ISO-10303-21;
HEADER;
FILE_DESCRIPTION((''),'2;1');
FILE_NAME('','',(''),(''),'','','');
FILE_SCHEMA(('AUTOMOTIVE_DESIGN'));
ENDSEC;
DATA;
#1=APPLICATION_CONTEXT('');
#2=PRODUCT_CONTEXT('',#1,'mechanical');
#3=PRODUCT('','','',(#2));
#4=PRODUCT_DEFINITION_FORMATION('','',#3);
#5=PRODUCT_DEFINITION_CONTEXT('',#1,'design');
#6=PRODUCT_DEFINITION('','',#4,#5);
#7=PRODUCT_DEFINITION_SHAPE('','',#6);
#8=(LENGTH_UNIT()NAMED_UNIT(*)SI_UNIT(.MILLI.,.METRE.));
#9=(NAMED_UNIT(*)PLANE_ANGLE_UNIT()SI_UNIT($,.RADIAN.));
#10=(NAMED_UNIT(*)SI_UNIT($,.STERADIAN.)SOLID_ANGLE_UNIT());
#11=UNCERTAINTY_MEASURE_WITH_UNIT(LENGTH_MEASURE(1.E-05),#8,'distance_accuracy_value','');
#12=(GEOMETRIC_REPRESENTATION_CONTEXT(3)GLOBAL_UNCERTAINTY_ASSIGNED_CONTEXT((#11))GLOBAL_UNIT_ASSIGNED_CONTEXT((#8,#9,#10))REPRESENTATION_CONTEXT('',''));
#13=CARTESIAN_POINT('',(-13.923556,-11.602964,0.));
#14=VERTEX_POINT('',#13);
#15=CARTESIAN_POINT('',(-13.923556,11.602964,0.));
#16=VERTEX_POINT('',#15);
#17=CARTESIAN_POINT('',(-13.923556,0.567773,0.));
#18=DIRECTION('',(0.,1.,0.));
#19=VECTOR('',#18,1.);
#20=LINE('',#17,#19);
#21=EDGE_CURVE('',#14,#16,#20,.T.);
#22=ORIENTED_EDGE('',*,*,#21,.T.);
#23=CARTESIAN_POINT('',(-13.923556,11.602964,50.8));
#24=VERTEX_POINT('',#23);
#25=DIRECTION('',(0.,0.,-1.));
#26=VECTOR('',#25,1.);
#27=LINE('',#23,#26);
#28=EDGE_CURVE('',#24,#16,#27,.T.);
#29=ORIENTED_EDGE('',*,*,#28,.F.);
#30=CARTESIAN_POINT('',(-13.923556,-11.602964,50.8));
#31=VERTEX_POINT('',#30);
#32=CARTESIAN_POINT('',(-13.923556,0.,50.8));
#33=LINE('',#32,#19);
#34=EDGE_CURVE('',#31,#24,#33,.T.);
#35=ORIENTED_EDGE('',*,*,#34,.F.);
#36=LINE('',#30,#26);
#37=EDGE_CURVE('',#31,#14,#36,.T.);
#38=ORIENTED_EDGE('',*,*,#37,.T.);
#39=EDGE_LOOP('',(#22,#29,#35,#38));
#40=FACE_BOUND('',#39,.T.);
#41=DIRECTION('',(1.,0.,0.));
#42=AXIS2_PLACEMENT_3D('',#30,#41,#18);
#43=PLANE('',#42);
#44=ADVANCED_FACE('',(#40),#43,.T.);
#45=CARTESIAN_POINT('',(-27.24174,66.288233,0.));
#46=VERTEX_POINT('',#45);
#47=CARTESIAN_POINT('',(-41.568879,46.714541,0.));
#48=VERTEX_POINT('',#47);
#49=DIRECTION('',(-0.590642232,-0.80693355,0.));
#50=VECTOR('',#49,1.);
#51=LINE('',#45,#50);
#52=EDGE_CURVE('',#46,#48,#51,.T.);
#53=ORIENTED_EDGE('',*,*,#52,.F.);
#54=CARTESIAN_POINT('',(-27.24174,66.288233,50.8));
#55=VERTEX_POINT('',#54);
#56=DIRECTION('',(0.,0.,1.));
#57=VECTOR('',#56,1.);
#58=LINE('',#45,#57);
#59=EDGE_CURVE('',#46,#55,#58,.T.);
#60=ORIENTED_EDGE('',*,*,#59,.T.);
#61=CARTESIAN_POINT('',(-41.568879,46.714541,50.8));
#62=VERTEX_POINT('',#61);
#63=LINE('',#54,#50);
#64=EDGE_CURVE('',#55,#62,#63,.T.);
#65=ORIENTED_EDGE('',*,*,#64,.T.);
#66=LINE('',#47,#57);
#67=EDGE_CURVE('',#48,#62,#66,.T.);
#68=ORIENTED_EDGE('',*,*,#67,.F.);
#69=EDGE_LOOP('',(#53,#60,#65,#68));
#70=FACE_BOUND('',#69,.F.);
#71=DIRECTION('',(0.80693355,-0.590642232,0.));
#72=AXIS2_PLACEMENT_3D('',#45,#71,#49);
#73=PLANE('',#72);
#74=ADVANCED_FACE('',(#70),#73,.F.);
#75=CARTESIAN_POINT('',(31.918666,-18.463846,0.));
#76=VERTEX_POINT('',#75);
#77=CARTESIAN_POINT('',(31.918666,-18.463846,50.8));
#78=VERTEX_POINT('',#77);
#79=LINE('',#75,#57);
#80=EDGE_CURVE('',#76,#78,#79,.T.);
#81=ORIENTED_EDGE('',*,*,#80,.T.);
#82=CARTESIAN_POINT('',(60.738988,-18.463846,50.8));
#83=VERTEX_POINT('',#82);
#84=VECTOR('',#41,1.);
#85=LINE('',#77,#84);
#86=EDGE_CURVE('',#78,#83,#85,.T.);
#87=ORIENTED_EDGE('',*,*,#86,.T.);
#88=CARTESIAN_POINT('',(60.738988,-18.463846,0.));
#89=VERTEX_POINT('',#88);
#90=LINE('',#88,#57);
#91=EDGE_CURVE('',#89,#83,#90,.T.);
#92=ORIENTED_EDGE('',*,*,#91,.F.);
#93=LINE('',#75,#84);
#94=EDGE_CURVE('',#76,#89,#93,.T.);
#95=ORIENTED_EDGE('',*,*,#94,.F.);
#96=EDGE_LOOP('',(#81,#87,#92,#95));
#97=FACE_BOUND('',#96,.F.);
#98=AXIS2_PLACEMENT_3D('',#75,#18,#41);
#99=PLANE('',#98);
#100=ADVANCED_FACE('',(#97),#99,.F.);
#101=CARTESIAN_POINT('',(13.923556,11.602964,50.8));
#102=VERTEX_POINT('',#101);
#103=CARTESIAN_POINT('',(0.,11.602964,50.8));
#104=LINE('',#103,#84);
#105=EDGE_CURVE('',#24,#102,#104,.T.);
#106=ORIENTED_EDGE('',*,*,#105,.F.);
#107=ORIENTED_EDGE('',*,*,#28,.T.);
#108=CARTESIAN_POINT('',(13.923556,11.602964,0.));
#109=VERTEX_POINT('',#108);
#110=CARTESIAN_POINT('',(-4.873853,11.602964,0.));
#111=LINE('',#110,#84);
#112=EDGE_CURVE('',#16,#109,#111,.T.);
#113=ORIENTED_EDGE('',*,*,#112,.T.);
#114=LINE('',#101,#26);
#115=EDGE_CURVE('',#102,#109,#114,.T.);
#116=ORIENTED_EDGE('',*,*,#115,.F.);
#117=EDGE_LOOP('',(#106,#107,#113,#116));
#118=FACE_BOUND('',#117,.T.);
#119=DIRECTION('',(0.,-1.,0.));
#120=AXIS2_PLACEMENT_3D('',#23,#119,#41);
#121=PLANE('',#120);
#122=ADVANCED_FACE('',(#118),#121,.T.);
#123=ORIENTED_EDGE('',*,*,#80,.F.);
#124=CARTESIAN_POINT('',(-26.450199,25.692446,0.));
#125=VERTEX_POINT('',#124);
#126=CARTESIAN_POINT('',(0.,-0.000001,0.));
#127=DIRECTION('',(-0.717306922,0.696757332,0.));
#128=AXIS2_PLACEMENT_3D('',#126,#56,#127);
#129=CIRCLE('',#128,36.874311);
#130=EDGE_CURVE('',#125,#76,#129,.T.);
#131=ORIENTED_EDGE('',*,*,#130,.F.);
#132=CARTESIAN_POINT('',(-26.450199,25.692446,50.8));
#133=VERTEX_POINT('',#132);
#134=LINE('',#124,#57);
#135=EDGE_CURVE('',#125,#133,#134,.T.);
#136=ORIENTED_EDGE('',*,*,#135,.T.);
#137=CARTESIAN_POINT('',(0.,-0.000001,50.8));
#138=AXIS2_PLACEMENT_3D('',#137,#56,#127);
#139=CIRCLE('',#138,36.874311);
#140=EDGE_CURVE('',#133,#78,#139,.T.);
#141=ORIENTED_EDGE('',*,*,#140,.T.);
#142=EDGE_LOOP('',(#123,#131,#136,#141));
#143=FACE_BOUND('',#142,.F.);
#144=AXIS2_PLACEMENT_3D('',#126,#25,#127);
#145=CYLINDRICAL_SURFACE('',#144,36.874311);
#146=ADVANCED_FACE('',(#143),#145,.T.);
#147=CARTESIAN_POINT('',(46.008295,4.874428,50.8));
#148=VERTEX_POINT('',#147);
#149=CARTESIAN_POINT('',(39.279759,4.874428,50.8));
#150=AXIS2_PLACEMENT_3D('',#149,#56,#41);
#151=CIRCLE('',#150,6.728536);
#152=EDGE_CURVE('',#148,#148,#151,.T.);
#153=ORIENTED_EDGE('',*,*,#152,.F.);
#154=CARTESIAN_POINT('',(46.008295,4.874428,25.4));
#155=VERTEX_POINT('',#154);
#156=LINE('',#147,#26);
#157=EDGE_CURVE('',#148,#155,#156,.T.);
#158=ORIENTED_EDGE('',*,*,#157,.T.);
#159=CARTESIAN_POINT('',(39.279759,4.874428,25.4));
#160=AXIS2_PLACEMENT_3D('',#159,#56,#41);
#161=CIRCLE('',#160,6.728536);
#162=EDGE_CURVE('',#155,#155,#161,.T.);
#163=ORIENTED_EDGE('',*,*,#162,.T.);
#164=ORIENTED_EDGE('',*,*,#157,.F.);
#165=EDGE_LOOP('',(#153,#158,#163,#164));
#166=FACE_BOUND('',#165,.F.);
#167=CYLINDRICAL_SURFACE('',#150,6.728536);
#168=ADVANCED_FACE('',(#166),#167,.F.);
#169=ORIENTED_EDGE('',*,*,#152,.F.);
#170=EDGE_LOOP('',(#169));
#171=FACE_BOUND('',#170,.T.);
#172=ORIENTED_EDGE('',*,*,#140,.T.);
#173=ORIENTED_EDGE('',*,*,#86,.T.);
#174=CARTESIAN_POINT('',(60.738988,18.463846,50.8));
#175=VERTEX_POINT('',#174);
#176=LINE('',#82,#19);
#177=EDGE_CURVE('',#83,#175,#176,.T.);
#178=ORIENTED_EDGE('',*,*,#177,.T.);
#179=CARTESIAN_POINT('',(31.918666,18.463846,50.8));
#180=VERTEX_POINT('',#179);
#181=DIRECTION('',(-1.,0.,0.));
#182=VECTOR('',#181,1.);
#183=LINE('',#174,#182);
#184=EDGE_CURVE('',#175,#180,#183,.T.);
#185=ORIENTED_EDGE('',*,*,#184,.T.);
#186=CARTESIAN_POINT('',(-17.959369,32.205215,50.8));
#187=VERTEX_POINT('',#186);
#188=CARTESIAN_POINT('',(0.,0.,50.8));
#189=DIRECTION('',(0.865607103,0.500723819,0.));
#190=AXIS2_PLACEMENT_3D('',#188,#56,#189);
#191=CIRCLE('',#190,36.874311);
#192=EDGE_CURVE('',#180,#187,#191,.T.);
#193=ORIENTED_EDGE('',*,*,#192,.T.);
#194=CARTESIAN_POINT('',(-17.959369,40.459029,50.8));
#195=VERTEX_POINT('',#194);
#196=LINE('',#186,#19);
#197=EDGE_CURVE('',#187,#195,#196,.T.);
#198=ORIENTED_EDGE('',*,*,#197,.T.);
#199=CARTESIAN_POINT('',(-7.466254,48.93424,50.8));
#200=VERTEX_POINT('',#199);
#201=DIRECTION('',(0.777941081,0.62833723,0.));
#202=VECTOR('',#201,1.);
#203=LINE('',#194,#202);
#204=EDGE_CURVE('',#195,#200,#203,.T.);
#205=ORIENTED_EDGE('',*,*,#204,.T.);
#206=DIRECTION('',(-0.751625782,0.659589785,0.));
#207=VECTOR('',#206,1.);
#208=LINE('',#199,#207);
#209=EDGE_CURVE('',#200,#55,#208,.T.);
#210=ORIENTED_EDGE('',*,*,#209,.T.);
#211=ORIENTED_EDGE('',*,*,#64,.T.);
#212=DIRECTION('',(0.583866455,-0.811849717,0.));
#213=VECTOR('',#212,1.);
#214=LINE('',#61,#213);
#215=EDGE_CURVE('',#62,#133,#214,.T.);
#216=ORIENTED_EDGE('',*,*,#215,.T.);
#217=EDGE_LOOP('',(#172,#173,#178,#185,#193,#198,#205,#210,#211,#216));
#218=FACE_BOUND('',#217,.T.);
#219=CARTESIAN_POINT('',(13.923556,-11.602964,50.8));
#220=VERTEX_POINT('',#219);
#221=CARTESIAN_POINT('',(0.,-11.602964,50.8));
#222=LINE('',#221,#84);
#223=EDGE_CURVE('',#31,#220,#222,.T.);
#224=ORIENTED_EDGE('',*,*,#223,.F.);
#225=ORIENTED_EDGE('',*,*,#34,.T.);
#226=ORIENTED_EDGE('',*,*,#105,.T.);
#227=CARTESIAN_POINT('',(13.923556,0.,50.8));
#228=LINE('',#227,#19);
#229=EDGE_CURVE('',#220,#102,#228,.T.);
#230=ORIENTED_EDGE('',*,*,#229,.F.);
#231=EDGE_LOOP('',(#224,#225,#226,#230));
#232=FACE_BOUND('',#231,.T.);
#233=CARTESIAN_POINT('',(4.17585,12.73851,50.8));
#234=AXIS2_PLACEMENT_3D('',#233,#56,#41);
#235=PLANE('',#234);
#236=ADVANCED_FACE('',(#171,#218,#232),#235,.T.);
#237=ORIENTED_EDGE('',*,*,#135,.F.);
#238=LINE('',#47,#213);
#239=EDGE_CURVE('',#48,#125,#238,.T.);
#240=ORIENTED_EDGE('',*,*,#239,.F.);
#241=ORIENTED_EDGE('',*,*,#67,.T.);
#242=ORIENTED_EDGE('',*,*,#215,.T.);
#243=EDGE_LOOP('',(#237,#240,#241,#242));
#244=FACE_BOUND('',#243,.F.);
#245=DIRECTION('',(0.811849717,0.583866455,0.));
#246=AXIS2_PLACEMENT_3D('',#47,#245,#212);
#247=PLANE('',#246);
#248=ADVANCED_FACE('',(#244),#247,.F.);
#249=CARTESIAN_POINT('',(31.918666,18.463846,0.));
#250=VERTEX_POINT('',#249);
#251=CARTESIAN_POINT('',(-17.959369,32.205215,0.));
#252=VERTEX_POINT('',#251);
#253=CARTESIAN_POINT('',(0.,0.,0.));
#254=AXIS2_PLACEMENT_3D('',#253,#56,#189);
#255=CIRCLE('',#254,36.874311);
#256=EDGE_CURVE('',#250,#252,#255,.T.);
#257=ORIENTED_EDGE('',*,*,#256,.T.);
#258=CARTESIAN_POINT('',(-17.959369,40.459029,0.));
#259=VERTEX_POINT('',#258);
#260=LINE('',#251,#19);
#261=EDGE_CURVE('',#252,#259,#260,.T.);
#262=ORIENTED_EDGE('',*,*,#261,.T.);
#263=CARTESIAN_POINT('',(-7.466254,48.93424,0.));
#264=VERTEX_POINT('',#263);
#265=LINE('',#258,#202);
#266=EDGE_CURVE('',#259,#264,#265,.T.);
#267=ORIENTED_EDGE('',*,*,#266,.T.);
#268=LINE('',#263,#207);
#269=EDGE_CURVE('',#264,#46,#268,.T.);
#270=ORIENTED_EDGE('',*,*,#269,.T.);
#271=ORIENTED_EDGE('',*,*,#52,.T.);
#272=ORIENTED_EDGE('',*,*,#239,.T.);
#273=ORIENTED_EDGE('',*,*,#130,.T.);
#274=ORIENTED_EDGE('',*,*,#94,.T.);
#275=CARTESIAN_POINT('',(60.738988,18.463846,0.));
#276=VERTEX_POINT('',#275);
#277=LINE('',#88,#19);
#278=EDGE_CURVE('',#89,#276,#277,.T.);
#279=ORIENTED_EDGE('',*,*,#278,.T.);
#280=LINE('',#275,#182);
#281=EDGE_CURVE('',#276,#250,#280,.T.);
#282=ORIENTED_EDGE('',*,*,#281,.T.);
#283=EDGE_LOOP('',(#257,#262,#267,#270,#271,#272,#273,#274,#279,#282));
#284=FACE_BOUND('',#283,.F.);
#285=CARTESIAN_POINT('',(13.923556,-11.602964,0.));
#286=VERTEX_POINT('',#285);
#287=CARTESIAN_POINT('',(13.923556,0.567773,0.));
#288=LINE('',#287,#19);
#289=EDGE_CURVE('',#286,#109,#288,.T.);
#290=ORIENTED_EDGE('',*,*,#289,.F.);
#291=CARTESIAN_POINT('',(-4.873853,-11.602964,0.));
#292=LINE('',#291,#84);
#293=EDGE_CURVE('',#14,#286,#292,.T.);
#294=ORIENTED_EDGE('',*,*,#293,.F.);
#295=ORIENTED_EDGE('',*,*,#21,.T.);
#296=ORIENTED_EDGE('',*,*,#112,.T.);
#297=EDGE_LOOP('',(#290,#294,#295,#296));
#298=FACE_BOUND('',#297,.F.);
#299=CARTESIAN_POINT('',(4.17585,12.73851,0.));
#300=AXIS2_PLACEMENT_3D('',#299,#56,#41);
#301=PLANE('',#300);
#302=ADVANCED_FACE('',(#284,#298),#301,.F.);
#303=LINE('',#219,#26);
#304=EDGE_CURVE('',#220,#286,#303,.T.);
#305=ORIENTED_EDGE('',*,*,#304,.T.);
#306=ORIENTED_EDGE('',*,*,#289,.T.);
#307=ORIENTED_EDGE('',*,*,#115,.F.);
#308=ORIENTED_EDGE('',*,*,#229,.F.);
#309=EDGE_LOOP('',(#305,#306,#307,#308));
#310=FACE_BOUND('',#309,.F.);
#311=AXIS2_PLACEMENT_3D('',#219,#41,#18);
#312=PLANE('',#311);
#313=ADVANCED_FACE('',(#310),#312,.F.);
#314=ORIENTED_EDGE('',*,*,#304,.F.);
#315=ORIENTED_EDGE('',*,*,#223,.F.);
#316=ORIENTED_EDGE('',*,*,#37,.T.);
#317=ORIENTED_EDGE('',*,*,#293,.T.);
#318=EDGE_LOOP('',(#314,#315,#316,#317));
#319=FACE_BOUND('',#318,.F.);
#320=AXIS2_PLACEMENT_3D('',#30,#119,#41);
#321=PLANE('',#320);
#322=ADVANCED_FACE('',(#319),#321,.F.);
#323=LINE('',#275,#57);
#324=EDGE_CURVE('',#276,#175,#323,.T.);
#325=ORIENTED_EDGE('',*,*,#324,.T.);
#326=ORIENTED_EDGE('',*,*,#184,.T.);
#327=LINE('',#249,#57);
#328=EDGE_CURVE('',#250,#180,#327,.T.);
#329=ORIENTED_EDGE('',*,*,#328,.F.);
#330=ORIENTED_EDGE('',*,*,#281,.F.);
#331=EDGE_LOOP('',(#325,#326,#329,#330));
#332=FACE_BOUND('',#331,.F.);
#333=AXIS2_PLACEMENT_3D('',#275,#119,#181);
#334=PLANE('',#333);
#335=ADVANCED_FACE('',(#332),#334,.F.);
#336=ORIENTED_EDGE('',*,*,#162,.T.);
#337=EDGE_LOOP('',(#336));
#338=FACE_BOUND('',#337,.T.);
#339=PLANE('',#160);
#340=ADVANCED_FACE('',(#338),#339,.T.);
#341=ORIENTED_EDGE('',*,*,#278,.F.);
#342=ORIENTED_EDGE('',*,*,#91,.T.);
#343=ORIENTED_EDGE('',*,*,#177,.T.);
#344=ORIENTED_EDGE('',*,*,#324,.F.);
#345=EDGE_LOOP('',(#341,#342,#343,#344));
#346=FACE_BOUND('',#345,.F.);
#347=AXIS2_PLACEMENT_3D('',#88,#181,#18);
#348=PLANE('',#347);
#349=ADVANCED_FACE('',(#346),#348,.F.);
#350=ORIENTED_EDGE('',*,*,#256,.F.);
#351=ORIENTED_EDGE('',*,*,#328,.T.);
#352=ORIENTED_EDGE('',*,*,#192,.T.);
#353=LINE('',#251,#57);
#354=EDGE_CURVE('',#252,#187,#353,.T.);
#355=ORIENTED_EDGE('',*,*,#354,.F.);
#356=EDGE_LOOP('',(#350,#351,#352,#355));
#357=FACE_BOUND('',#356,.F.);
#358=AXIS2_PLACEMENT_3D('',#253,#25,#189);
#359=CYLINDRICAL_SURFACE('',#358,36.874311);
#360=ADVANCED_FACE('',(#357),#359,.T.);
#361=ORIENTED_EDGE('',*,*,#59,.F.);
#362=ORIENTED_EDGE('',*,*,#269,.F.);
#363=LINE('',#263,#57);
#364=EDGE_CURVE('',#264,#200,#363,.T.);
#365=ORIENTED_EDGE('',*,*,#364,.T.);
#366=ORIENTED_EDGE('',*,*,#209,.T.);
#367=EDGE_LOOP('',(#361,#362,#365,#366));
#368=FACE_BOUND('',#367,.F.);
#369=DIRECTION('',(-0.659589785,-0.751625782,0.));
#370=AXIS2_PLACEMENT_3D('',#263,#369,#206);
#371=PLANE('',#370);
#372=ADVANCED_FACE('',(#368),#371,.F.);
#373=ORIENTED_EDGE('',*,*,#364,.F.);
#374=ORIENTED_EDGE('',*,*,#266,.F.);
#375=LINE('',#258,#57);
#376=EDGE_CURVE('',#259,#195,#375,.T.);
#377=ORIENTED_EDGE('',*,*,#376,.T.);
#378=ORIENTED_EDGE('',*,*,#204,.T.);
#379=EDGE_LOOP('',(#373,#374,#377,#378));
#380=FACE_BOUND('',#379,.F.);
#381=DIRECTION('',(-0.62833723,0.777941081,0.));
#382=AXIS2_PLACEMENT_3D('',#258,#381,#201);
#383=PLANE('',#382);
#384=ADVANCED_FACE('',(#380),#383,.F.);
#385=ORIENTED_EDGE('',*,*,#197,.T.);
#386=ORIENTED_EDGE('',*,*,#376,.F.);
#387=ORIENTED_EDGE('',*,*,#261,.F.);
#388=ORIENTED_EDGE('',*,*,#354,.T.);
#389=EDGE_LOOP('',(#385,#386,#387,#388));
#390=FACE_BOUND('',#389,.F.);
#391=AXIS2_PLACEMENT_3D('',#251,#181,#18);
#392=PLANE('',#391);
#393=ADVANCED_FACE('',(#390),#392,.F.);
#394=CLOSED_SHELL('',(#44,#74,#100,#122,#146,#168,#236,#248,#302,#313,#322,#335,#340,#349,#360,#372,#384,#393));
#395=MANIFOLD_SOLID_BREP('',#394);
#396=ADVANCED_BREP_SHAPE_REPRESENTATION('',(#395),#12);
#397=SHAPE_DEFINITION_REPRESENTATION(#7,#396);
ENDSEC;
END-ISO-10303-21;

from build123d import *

# Parameters (mm, degrees)
F1_DEPTH = 50.8
F2_W     = 27.847112
F2_H     = 23.205928
F3_DEPTH = 118.98803
F4_R     = 6.728536
F5_DEPTH = 25.4


with BuildPart() as f1:
    # F0 (on Top) → F1 (new body)
    with BuildSketch(Plane.XY):
        with BuildLine():
            Line((-41.568879, 46.714541), (-26.450199, 25.692446))
            ThreePointArc((-26.450199, 25.692446), (-22.246811, -29.407385), (31.918666, -18.463846))
            Line((31.918666, -18.463846), (60.738988, -18.463846))
            Line((60.738988, -18.463846), (60.738988, 18.463846))
            Line((60.738988, 18.463846), (31.918666, 18.463846))
            ThreePointArc((31.918666, 18.463846), (9.793967, 35.549867), (-17.959369, 32.205215))
            Line((-17.959369, 32.205215), (-17.959369, 40.459029))
            Line((-17.959369, 40.459029), (-7.466254, 48.93424))
            Line((-7.466254, 48.93424), (-27.24174, 66.288233))
            Line((-27.24174, 66.288233), (-41.568879, 46.714541))
        make_face()
    extrude(amount=F1_DEPTH)

    # F2 (on face) → F3 (cut)
    with BuildSketch(Plane.XY.offset(50.8)):
        Rectangle(F2_W, F2_H)
    extrude(amount=-F3_DEPTH, mode=Mode.SUBTRACT)

    # F4 (on face) → F5 (cut)
    with BuildSketch(Plane.XY.offset(50.8)):
        with Locations((39.279759, 4.874428)):
            Circle(F4_R)
    extrude(amount=-F5_DEPTH, mode=Mode.SUBTRACT)


solid = f1.part
